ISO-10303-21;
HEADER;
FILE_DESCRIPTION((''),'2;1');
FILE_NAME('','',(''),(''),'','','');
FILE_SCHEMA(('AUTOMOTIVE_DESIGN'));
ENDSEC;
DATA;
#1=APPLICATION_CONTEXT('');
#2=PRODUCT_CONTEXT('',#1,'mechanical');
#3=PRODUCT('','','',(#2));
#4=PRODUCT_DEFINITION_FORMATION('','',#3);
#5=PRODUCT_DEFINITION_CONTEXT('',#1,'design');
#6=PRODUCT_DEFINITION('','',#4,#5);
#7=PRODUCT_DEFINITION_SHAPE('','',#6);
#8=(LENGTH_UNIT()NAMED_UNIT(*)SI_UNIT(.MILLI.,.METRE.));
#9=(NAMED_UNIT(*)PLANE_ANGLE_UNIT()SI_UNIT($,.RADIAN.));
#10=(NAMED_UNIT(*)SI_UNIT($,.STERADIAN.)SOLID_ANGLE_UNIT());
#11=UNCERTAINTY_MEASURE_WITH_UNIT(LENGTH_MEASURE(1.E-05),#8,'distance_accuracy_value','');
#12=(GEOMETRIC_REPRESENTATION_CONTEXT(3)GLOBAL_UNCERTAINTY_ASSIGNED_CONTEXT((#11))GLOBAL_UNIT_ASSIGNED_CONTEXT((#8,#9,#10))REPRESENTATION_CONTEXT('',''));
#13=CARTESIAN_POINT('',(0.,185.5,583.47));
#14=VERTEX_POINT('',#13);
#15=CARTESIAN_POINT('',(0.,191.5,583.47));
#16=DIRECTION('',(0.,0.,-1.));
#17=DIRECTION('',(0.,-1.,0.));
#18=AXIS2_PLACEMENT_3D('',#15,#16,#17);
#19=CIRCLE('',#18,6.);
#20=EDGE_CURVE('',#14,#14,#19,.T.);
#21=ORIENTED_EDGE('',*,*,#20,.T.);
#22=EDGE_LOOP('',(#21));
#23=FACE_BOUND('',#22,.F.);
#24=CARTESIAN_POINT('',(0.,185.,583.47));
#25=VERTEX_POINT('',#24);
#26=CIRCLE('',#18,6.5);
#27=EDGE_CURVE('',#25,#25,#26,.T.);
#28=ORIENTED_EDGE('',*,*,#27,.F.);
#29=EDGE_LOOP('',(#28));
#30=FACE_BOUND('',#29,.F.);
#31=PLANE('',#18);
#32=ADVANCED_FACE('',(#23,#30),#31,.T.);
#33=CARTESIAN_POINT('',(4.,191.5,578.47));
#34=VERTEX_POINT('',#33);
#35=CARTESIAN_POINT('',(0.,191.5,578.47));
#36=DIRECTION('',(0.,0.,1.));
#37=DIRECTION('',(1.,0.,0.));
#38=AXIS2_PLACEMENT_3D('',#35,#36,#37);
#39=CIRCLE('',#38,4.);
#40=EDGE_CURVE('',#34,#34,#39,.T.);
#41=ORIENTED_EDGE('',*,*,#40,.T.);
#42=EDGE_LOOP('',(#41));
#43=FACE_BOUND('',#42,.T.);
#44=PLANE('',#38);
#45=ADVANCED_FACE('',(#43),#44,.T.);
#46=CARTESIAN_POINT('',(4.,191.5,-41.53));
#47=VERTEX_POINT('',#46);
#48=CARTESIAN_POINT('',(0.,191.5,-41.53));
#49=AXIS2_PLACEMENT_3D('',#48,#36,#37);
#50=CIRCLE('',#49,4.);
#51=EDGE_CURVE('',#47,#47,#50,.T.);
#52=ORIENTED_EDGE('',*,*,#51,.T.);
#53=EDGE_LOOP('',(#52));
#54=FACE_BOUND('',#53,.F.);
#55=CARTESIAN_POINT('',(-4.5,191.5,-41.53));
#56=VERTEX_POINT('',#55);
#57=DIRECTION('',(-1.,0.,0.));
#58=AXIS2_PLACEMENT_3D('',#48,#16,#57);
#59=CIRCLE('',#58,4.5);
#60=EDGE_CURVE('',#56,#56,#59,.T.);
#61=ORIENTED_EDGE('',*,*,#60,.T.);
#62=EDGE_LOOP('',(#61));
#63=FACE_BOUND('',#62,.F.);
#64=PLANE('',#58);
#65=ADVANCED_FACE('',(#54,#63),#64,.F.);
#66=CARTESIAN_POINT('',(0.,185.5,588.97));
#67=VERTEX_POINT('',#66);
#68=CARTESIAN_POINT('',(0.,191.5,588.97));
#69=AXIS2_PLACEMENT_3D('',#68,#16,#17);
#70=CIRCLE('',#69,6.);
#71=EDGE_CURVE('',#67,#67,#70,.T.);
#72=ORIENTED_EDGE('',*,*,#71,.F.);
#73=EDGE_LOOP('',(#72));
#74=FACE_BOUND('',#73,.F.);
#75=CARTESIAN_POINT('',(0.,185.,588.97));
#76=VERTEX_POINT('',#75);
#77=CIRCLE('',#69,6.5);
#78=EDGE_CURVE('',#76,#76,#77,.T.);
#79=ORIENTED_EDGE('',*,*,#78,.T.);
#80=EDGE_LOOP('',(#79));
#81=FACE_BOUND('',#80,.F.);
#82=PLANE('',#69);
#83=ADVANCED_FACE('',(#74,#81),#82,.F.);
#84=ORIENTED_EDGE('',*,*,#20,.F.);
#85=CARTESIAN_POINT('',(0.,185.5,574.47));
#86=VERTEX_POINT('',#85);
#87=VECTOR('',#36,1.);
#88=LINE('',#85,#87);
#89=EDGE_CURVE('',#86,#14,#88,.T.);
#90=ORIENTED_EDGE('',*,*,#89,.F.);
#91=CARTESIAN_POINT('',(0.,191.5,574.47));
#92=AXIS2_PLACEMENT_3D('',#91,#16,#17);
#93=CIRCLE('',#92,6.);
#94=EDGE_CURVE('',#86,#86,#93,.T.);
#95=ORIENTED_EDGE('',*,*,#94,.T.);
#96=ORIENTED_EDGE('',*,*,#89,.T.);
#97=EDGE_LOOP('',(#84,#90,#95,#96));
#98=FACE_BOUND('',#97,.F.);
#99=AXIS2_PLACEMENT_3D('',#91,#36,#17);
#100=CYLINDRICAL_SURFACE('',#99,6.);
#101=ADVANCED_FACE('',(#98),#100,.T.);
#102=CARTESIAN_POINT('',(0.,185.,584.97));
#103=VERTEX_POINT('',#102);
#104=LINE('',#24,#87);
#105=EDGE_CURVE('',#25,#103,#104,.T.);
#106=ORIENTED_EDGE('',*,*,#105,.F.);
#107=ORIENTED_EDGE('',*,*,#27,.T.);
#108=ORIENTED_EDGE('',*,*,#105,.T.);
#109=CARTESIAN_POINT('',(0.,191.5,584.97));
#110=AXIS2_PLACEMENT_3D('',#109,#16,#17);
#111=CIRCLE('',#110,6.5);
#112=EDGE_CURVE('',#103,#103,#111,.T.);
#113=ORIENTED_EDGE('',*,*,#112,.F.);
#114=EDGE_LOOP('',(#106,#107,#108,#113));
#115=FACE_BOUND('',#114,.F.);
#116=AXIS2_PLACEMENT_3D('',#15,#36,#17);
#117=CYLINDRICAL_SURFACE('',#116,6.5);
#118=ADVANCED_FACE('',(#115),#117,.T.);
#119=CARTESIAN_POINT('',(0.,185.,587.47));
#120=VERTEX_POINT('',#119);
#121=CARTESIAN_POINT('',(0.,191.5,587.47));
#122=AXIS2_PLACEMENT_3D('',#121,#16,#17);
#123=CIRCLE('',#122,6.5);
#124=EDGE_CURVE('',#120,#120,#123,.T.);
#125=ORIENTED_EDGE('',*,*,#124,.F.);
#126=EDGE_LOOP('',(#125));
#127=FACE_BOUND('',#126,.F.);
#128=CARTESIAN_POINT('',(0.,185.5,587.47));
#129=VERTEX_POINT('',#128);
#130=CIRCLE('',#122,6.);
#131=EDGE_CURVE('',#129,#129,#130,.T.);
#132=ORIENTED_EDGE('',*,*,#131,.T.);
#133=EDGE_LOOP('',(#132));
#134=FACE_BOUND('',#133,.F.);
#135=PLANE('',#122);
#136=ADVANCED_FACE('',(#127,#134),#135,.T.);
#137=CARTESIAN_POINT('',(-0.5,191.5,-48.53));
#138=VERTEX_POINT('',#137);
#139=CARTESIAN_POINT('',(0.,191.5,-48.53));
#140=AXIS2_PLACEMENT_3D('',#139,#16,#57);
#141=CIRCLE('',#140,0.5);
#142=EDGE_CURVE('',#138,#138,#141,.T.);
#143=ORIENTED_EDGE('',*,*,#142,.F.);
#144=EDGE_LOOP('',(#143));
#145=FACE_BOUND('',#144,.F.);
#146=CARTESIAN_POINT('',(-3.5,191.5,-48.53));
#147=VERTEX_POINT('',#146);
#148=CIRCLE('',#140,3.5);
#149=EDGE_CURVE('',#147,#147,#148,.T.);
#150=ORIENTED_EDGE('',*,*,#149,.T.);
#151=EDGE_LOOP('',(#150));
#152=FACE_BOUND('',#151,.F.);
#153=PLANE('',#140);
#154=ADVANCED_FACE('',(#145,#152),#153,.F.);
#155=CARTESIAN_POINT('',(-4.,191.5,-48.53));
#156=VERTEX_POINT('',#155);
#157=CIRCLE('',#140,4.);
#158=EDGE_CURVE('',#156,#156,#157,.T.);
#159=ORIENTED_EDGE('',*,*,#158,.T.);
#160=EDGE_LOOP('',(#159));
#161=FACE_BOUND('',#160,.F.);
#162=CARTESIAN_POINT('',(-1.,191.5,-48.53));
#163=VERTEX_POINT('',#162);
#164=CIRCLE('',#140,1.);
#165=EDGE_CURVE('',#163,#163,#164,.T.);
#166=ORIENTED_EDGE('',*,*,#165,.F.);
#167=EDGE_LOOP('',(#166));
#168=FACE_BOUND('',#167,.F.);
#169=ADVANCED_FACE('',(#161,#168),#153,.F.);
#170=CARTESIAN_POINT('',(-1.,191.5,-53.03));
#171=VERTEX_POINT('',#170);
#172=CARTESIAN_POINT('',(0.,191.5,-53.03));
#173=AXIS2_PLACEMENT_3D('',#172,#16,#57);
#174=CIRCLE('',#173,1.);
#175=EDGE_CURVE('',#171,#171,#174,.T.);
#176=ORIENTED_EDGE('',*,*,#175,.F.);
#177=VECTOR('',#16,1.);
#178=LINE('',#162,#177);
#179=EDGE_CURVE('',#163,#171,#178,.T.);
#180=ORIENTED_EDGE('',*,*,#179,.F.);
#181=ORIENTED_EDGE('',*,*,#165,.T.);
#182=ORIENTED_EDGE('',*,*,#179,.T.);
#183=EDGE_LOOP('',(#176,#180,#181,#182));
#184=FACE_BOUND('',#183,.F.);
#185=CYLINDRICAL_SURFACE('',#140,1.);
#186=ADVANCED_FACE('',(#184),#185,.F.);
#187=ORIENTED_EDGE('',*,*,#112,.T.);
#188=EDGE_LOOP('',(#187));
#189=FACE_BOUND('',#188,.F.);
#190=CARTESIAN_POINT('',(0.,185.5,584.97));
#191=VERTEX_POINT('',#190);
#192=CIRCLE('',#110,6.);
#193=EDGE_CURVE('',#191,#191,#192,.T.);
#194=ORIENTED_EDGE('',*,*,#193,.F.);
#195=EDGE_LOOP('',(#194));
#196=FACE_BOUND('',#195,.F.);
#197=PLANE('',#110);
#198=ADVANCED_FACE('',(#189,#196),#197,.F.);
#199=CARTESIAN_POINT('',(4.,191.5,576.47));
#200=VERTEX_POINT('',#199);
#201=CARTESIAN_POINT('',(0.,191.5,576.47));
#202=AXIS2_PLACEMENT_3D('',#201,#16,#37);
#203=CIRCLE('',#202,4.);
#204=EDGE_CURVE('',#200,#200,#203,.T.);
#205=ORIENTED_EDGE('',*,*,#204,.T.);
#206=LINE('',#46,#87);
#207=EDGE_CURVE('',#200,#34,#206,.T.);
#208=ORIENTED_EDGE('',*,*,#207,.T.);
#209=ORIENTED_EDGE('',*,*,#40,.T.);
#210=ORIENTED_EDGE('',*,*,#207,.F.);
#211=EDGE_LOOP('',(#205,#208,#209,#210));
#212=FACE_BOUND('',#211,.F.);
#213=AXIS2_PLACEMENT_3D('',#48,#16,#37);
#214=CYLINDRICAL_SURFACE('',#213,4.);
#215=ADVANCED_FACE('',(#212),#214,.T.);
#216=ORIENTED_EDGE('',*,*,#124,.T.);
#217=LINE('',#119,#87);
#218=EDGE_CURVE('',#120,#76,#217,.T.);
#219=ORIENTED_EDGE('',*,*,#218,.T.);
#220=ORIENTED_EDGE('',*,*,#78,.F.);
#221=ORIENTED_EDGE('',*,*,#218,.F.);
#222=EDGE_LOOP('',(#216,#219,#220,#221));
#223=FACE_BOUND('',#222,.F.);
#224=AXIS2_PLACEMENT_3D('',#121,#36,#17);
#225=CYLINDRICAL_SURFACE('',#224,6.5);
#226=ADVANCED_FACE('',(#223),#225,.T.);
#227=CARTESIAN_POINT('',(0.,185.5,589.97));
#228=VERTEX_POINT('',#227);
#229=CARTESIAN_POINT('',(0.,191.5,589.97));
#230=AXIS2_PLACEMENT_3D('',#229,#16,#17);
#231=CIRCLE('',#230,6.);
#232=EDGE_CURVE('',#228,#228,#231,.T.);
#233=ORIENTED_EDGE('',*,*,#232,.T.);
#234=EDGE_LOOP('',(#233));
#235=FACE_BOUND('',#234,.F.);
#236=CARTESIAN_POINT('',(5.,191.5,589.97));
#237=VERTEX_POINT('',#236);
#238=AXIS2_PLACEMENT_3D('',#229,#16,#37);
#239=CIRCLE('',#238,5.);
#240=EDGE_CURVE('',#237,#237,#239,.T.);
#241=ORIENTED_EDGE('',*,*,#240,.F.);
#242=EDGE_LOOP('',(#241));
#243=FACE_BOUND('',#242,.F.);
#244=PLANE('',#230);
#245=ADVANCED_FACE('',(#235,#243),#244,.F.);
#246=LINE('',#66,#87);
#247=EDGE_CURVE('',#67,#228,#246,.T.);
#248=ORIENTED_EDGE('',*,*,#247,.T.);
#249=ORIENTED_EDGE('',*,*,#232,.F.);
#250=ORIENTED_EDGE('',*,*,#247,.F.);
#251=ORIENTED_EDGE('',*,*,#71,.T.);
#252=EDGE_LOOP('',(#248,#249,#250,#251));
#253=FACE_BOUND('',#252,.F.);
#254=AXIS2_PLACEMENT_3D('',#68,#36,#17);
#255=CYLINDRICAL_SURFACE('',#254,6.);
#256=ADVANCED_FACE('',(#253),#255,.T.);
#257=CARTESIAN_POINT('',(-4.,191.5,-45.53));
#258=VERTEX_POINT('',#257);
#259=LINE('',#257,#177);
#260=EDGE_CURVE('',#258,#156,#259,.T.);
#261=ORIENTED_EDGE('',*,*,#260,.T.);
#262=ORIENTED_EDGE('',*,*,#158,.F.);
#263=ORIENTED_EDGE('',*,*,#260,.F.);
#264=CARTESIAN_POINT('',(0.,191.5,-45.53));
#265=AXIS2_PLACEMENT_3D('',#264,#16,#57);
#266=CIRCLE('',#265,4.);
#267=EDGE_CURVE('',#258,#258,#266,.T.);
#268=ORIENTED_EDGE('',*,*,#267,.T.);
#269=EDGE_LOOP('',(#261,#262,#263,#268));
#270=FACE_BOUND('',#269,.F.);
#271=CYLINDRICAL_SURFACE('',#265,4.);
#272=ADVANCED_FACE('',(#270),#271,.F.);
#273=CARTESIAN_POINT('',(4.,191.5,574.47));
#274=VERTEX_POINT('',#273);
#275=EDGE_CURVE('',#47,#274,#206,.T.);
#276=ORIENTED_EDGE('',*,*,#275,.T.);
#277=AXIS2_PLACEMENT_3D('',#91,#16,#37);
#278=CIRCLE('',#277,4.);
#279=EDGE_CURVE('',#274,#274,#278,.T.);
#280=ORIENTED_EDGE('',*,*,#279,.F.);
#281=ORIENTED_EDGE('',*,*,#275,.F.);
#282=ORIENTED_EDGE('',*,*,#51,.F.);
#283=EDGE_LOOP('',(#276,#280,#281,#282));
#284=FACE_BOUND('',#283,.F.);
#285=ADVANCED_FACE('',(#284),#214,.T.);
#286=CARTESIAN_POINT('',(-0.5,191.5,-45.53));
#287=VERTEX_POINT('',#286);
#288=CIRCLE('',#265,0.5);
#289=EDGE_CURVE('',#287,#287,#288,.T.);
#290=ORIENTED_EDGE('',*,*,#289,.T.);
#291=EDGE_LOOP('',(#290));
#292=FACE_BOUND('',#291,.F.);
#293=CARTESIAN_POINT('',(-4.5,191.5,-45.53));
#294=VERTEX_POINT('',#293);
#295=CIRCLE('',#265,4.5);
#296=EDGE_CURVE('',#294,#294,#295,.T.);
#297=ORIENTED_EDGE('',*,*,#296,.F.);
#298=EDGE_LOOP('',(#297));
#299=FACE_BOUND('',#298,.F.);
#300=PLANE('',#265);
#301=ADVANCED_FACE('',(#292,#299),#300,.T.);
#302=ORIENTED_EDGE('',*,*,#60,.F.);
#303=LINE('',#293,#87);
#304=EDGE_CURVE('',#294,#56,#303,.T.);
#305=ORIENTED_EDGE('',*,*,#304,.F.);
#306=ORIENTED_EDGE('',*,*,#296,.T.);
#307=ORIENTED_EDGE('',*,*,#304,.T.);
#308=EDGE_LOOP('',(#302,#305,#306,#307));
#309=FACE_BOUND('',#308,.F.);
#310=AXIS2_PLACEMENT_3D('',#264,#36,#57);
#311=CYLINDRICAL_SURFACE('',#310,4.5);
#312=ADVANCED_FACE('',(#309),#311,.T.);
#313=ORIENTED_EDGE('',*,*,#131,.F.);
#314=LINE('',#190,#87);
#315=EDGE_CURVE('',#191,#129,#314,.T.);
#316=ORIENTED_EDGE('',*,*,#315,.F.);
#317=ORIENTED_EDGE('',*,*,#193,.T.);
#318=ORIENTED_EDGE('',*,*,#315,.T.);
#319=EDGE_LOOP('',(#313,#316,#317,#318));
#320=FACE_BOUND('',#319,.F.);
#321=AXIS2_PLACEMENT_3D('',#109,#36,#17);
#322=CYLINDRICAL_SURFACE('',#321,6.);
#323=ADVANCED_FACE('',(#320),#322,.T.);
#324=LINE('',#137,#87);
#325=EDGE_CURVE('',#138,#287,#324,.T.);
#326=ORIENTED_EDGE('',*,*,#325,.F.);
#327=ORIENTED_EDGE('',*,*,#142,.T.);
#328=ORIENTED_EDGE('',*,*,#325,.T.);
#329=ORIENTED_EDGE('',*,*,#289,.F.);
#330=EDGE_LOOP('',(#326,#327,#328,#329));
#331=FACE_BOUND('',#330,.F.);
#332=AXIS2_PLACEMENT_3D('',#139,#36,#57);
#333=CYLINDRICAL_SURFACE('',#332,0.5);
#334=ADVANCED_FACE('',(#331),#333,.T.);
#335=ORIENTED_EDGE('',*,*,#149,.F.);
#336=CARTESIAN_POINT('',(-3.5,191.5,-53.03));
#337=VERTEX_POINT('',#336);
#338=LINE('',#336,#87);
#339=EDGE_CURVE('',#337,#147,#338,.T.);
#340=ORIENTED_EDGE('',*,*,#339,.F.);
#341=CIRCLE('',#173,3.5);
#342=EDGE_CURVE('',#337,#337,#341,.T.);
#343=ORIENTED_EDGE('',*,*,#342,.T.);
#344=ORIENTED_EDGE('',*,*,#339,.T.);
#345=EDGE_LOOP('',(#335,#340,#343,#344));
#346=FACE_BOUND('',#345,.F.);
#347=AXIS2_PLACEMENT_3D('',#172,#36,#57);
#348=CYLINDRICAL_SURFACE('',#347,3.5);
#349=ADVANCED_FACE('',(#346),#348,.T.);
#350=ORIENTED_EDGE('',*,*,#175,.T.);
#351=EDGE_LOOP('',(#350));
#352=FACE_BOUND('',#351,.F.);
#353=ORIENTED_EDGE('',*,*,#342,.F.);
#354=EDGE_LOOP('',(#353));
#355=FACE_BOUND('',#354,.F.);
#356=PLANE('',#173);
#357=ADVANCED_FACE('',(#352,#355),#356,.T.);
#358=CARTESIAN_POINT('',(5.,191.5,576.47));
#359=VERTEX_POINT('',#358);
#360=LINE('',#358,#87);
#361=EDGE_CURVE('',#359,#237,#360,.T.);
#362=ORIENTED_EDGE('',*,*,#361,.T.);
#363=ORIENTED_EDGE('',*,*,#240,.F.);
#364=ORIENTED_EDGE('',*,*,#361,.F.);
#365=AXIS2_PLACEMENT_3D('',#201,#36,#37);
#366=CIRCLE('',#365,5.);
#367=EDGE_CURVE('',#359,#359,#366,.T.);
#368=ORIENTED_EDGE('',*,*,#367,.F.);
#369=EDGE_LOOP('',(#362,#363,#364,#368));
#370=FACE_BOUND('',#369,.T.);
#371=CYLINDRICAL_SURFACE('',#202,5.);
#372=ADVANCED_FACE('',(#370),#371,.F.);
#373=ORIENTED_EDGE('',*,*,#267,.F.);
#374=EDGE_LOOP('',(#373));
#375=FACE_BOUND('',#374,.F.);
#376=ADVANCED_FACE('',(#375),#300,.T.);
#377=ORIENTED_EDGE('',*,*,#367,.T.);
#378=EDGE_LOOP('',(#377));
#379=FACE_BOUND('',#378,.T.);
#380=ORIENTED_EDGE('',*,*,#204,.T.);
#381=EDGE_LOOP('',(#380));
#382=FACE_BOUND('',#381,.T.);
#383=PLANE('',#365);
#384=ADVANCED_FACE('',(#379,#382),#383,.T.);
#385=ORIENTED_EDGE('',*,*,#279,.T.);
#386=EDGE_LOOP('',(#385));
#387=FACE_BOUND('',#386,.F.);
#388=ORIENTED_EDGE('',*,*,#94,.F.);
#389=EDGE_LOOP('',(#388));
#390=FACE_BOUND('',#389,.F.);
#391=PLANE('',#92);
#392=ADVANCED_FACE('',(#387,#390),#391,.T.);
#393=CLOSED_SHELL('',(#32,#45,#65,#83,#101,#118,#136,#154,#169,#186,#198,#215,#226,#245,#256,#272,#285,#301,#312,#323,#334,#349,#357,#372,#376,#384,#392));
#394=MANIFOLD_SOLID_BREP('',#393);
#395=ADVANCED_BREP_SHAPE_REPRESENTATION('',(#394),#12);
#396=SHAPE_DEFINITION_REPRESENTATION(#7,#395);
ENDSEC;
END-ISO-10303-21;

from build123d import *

# Parameters (mm, degrees)
CYLINDER006_R              = 4
CYLINDER006_DEPTH          = 620
REVOLVE004_PLACEMENT_ANGLE = 180
CYLINDER007_R              = 5
CYLINDER007_DEPTH          = 30
REVOLVE005_PLACEMENT_ANGLE = 180


with BuildPart() as cylinder006:
    # Cylinder006 → Cylinder006 (new body)
    with BuildSketch(Plane.XY):
        Circle(CYLINDER006_R)
    extrude(amount=CYLINDER006_DEPTH)


with BuildPart() as revolve004:
    # Sketch004 → Revolve004 (revolve)
    with BuildSketch(Plane.XZ):
        Polygon((0, 0), (0, 4), (4, 4), (4, 7), (1, 7), (1, 11.5), (3.5, 11.5), (3.5, 7), (0.5, 7), (0.5, 4), (4.5, 4), (4.5, 0), align=None)
    revolve(axis=Axis((0, 0, 0), (0, 0, 1)))


with BuildPart() as revolve004_1:
    # Revolve004 placement: moved
    add(revolve004.part.rotate(Axis((0, 0, 0), (0, 1, 0)), REVOLVE004_PLACEMENT_ANGLE))


with BuildPart() as cylinder007:
    # Cylinder007 → Cylinder007 (new body)
    with BuildSketch(Plane.XY.offset(618)):
        Circle(CYLINDER007_R)
    extrude(amount=CYLINDER007_DEPTH)


with BuildPart() as straw002:
    # Sketch005 → Revolve005 (revolve)
    with BuildSketch(Plane.YZ):
        Polygon((0, 0), (0, 1), (-0.5, 1), (-0.5, 2.5), (0, 2.5), (0, 5), (-0.5, 5), (-0.5, 6.5), (0, 6.5), (0, 15.5), (6, 15.5), (6, 6.5), (6.5, 6.5), (6.5, 5), (6, 5), (6, 2.5), (6.5, 2.5), (6.5, 1), (6, 1), (6, 0), align=None)
    revolve(axis=Axis((0, 0, 0), (0, 0, 1)))


with BuildPart() as straw002_1:
    # Revolve005 placement: moved
    add(straw002.part.moved(Location((0, 0, 631.5))).rotate(Axis((0, 0, 631.5), (1, 0, 0)), REVOLVE005_PLACEMENT_ANGLE))

    # Cut005: cut Cylinder007
    add(cylinder007.part, mode=Mode.SUBTRACT)

    # Fusion002: union Cylinder006, Revolve004
    add(cylinder006.part)
    add(revolve004_1.part)


with BuildPart() as straw002_2:
    # Fusion002 placement: moved
    add(straw002_1.part.moved(Location((0, 191.5, -41.53))))


solid = straw002_2.part
